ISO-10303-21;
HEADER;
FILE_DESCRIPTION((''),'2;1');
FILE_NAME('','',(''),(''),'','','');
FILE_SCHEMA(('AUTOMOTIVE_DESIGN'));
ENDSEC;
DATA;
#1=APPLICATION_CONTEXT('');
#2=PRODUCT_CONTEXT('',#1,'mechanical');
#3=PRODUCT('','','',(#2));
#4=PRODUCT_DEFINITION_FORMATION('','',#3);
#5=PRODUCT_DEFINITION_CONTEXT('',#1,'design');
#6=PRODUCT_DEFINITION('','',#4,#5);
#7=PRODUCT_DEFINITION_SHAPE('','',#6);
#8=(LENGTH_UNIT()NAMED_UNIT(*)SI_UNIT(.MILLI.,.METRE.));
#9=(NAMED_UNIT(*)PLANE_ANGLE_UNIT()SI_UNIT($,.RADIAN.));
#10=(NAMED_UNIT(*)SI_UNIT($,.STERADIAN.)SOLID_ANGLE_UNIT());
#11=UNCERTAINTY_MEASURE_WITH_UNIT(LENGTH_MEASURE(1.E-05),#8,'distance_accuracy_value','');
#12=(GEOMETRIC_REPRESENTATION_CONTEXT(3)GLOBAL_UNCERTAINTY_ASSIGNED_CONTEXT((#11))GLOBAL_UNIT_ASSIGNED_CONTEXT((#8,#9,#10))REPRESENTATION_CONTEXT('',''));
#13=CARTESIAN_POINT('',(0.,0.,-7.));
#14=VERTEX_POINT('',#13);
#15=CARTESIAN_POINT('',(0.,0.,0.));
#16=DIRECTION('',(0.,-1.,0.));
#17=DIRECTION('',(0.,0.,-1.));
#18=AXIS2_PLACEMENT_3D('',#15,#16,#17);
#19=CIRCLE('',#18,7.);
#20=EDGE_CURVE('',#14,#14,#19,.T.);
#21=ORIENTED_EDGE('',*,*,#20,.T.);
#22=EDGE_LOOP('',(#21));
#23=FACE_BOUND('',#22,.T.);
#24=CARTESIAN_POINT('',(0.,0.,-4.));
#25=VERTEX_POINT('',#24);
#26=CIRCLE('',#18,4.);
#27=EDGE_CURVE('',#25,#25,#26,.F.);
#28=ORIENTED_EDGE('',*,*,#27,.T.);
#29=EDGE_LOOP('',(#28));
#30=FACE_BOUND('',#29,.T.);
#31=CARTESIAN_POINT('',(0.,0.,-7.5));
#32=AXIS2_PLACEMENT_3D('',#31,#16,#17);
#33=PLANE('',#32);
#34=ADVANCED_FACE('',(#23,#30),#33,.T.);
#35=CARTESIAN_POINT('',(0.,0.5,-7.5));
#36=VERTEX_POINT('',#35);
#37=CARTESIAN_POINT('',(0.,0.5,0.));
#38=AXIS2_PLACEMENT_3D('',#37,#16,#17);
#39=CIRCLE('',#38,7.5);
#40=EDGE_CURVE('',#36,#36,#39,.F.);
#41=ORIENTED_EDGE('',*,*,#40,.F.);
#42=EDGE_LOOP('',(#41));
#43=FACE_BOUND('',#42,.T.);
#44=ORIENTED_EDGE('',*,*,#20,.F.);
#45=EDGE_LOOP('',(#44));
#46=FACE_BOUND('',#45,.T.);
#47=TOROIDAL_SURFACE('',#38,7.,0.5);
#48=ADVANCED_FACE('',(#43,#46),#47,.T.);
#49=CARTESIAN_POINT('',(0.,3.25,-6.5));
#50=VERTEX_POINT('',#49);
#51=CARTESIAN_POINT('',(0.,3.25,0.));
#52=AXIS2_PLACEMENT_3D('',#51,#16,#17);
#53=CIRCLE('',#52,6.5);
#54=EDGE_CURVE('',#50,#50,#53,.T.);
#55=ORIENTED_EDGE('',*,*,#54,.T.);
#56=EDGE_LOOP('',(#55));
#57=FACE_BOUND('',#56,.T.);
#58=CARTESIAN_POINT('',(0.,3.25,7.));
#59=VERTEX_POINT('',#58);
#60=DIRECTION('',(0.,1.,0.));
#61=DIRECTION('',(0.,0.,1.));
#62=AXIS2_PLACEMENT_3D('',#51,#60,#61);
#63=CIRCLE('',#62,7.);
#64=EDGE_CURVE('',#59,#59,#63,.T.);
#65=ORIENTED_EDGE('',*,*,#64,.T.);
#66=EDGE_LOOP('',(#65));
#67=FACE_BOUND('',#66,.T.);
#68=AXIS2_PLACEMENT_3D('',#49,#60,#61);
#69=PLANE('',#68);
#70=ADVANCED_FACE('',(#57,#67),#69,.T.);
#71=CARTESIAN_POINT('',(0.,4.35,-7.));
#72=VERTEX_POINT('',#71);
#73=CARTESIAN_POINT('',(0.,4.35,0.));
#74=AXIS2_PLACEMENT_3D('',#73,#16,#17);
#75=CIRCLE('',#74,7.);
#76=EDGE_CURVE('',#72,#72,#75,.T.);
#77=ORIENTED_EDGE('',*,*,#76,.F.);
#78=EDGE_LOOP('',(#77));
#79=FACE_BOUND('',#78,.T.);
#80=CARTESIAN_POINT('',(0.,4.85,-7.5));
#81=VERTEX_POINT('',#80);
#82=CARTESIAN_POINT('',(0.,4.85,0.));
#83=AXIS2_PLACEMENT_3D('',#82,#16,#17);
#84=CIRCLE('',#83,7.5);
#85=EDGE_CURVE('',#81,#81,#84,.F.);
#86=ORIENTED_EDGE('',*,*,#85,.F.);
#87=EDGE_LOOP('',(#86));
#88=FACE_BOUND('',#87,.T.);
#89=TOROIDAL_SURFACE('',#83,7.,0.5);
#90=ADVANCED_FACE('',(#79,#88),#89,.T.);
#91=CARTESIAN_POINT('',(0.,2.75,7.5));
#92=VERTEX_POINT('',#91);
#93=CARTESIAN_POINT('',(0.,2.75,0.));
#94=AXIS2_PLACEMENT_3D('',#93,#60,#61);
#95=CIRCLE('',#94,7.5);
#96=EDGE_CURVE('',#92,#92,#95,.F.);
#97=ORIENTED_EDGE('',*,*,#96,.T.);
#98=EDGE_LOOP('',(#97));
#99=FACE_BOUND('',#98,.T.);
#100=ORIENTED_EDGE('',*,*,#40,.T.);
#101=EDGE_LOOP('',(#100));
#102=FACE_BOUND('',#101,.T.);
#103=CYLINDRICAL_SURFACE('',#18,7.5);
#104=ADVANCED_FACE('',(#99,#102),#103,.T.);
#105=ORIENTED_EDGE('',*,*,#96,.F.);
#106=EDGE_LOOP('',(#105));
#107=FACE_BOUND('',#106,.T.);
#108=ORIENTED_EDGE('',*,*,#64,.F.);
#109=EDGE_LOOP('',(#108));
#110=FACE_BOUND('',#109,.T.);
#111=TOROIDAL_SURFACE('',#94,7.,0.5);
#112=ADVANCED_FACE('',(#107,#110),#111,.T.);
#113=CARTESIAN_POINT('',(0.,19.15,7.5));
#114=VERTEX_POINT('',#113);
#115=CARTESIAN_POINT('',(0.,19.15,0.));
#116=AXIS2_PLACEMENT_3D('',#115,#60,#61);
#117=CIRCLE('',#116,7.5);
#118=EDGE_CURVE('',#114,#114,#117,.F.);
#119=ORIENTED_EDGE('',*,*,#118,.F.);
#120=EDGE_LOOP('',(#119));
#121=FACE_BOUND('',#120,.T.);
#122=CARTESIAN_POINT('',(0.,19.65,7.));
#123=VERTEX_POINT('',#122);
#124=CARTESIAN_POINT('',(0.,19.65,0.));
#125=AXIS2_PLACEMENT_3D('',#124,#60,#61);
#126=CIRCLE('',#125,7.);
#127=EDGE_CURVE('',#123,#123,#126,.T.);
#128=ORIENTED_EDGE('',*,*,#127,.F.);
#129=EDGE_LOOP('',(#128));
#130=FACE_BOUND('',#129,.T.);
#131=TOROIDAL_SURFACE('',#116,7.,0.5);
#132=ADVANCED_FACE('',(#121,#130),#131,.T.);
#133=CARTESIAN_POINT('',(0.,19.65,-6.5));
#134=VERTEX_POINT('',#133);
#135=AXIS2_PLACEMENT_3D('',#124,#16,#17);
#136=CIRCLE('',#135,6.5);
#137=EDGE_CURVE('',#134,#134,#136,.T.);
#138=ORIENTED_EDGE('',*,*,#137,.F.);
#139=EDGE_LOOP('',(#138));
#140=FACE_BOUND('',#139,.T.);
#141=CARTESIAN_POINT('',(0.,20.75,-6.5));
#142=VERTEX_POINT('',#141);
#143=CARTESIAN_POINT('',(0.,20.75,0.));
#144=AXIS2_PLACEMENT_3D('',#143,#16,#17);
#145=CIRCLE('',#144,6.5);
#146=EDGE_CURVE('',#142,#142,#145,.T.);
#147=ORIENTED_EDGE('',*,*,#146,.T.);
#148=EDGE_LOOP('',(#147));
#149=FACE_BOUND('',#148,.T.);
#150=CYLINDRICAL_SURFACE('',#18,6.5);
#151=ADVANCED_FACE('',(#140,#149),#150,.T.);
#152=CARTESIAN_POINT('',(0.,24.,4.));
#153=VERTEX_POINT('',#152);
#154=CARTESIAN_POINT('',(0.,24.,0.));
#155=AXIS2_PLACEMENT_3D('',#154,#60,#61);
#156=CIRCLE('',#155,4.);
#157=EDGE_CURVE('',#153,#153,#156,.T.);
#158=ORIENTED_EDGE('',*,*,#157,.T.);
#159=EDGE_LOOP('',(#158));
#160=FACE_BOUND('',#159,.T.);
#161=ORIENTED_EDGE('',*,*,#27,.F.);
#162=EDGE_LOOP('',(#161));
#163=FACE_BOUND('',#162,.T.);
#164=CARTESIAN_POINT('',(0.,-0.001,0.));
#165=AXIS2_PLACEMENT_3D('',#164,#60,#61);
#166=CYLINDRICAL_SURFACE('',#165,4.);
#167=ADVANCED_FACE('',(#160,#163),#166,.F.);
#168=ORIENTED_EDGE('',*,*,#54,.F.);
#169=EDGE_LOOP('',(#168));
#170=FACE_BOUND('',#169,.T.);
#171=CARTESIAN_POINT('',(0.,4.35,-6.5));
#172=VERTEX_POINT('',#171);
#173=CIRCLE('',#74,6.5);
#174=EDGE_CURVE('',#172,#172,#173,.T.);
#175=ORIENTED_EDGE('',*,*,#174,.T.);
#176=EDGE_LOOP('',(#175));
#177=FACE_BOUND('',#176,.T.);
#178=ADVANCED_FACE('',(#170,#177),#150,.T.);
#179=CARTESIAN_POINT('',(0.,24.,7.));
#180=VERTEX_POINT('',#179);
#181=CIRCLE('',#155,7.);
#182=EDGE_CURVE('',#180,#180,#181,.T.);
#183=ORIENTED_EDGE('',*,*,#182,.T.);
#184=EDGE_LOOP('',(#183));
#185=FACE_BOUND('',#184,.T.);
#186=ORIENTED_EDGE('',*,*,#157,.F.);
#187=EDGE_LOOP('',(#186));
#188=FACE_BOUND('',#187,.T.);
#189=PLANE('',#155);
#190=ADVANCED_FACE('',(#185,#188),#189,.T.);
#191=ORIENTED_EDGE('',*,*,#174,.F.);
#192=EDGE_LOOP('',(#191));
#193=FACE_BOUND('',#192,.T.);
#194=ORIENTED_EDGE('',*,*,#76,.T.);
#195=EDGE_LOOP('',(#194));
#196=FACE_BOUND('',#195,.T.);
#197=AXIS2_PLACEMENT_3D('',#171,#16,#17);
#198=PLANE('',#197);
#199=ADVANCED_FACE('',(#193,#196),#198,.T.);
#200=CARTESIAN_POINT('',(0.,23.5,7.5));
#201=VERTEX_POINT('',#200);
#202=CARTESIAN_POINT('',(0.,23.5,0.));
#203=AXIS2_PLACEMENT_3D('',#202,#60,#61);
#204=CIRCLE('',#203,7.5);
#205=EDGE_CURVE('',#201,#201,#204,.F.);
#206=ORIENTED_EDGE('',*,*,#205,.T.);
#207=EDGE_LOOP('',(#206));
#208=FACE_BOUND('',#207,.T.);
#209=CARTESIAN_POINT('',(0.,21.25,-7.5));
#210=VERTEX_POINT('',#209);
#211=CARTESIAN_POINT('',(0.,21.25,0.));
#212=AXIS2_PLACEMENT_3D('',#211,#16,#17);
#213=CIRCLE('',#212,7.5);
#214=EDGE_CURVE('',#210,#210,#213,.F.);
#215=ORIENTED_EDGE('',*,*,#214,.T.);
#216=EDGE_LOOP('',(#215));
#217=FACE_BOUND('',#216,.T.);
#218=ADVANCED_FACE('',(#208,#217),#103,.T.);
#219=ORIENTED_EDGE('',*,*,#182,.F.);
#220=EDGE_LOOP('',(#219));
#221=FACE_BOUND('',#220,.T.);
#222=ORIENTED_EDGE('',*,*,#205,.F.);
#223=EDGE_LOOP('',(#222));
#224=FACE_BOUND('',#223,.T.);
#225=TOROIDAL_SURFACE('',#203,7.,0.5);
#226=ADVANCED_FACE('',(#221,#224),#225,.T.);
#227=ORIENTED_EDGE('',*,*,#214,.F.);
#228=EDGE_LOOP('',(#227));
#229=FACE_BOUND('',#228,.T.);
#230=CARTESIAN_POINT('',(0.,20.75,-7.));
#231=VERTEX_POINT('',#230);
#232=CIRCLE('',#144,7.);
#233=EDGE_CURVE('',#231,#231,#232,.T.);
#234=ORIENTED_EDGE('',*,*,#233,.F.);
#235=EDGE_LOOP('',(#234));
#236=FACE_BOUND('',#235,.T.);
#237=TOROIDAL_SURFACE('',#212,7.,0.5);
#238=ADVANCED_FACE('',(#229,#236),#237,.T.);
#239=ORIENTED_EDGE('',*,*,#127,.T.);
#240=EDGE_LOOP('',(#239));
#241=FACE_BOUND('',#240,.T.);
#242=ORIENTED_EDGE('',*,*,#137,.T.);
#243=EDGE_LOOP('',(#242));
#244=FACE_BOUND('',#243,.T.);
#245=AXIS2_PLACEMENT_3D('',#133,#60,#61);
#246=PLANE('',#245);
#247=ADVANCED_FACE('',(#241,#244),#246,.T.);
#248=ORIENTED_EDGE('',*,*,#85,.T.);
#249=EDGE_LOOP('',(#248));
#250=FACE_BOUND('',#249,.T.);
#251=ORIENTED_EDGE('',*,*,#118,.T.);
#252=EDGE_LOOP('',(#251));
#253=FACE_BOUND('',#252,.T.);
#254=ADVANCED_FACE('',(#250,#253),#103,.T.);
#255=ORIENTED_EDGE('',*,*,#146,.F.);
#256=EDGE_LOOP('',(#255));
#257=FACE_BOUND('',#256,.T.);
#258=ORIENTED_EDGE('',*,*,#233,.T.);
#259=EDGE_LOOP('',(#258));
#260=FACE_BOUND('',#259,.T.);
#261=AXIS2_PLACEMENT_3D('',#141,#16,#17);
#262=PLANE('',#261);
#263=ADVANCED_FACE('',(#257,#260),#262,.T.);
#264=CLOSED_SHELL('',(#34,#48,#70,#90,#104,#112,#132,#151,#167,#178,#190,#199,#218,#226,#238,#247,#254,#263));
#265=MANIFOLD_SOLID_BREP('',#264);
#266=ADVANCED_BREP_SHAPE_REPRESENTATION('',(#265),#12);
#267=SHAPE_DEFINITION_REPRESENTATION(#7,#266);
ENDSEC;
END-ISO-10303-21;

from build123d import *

# Parameters (mm, degrees)
CUT_EXTRUDE2_REACH = 26
SKETCH5_R          = 4
FILLET1_R          = 0.5
FILLET2_R          = 0.5


with BuildPart() as part:
    # Sketch1 → Revolve1 (revolve)
    with BuildSketch(Plane(origin=(0, 0, 0), x_dir=(0, 0, -1), z_dir=(1, 0, 0))):
        Polygon((0, 0), (0, 24), (7.5, 24), (7.5, 20.75), (6.5, 20.75), (6.5, 19.65), (7.5, 19.65), (7.5, 4.35), (6.5, 4.35), (6.5, 3.25), (7.5, 3.25), (7.5, 0), align=None)
    revolve(axis=Axis((0, 0, 0), (0, 1, 0)))

    # Sketch5 → Cut-Extrude2 (cut, up to next)
    with BuildSketch(Plane(origin=(0, 24, 0), x_dir=(1, 0, 0), z_dir=(0, 1, 0)), mode=Mode.PRIVATE) as cut_extrude2_sk1:
        Circle(SKETCH5_R)
    cut_extrude2_tool1 = extrude(cut_extrude2_sk1.sketch, amount=-CUT_EXTRUDE2_REACH, mode=Mode.PRIVATE) & part.part
    add(cut_extrude2_tool1.solids().sort_by_distance((0, 24, 0))[0], mode=Mode.SUBTRACT)

    # Fillet1
    fillet1_edges = [part.edges().sort_by_distance(p)[0] for p in [
        (0, 24, 7.5),
        (0, 0, 7.5),
    ]]
    fillet(fillet1_edges, radius=FILLET1_R)

    # Fillet2
    fillet2_edges = [part.edges().sort_by_distance(p)[0] for p in [
        (0, 4.35, 7.5),
        (0, 19.65, 7.5),
        (0, 20.75, 7.5),
        (0, 3.25, 7.5),
    ]]
    fillet(fillet2_edges, radius=FILLET2_R)


solid = part.part
